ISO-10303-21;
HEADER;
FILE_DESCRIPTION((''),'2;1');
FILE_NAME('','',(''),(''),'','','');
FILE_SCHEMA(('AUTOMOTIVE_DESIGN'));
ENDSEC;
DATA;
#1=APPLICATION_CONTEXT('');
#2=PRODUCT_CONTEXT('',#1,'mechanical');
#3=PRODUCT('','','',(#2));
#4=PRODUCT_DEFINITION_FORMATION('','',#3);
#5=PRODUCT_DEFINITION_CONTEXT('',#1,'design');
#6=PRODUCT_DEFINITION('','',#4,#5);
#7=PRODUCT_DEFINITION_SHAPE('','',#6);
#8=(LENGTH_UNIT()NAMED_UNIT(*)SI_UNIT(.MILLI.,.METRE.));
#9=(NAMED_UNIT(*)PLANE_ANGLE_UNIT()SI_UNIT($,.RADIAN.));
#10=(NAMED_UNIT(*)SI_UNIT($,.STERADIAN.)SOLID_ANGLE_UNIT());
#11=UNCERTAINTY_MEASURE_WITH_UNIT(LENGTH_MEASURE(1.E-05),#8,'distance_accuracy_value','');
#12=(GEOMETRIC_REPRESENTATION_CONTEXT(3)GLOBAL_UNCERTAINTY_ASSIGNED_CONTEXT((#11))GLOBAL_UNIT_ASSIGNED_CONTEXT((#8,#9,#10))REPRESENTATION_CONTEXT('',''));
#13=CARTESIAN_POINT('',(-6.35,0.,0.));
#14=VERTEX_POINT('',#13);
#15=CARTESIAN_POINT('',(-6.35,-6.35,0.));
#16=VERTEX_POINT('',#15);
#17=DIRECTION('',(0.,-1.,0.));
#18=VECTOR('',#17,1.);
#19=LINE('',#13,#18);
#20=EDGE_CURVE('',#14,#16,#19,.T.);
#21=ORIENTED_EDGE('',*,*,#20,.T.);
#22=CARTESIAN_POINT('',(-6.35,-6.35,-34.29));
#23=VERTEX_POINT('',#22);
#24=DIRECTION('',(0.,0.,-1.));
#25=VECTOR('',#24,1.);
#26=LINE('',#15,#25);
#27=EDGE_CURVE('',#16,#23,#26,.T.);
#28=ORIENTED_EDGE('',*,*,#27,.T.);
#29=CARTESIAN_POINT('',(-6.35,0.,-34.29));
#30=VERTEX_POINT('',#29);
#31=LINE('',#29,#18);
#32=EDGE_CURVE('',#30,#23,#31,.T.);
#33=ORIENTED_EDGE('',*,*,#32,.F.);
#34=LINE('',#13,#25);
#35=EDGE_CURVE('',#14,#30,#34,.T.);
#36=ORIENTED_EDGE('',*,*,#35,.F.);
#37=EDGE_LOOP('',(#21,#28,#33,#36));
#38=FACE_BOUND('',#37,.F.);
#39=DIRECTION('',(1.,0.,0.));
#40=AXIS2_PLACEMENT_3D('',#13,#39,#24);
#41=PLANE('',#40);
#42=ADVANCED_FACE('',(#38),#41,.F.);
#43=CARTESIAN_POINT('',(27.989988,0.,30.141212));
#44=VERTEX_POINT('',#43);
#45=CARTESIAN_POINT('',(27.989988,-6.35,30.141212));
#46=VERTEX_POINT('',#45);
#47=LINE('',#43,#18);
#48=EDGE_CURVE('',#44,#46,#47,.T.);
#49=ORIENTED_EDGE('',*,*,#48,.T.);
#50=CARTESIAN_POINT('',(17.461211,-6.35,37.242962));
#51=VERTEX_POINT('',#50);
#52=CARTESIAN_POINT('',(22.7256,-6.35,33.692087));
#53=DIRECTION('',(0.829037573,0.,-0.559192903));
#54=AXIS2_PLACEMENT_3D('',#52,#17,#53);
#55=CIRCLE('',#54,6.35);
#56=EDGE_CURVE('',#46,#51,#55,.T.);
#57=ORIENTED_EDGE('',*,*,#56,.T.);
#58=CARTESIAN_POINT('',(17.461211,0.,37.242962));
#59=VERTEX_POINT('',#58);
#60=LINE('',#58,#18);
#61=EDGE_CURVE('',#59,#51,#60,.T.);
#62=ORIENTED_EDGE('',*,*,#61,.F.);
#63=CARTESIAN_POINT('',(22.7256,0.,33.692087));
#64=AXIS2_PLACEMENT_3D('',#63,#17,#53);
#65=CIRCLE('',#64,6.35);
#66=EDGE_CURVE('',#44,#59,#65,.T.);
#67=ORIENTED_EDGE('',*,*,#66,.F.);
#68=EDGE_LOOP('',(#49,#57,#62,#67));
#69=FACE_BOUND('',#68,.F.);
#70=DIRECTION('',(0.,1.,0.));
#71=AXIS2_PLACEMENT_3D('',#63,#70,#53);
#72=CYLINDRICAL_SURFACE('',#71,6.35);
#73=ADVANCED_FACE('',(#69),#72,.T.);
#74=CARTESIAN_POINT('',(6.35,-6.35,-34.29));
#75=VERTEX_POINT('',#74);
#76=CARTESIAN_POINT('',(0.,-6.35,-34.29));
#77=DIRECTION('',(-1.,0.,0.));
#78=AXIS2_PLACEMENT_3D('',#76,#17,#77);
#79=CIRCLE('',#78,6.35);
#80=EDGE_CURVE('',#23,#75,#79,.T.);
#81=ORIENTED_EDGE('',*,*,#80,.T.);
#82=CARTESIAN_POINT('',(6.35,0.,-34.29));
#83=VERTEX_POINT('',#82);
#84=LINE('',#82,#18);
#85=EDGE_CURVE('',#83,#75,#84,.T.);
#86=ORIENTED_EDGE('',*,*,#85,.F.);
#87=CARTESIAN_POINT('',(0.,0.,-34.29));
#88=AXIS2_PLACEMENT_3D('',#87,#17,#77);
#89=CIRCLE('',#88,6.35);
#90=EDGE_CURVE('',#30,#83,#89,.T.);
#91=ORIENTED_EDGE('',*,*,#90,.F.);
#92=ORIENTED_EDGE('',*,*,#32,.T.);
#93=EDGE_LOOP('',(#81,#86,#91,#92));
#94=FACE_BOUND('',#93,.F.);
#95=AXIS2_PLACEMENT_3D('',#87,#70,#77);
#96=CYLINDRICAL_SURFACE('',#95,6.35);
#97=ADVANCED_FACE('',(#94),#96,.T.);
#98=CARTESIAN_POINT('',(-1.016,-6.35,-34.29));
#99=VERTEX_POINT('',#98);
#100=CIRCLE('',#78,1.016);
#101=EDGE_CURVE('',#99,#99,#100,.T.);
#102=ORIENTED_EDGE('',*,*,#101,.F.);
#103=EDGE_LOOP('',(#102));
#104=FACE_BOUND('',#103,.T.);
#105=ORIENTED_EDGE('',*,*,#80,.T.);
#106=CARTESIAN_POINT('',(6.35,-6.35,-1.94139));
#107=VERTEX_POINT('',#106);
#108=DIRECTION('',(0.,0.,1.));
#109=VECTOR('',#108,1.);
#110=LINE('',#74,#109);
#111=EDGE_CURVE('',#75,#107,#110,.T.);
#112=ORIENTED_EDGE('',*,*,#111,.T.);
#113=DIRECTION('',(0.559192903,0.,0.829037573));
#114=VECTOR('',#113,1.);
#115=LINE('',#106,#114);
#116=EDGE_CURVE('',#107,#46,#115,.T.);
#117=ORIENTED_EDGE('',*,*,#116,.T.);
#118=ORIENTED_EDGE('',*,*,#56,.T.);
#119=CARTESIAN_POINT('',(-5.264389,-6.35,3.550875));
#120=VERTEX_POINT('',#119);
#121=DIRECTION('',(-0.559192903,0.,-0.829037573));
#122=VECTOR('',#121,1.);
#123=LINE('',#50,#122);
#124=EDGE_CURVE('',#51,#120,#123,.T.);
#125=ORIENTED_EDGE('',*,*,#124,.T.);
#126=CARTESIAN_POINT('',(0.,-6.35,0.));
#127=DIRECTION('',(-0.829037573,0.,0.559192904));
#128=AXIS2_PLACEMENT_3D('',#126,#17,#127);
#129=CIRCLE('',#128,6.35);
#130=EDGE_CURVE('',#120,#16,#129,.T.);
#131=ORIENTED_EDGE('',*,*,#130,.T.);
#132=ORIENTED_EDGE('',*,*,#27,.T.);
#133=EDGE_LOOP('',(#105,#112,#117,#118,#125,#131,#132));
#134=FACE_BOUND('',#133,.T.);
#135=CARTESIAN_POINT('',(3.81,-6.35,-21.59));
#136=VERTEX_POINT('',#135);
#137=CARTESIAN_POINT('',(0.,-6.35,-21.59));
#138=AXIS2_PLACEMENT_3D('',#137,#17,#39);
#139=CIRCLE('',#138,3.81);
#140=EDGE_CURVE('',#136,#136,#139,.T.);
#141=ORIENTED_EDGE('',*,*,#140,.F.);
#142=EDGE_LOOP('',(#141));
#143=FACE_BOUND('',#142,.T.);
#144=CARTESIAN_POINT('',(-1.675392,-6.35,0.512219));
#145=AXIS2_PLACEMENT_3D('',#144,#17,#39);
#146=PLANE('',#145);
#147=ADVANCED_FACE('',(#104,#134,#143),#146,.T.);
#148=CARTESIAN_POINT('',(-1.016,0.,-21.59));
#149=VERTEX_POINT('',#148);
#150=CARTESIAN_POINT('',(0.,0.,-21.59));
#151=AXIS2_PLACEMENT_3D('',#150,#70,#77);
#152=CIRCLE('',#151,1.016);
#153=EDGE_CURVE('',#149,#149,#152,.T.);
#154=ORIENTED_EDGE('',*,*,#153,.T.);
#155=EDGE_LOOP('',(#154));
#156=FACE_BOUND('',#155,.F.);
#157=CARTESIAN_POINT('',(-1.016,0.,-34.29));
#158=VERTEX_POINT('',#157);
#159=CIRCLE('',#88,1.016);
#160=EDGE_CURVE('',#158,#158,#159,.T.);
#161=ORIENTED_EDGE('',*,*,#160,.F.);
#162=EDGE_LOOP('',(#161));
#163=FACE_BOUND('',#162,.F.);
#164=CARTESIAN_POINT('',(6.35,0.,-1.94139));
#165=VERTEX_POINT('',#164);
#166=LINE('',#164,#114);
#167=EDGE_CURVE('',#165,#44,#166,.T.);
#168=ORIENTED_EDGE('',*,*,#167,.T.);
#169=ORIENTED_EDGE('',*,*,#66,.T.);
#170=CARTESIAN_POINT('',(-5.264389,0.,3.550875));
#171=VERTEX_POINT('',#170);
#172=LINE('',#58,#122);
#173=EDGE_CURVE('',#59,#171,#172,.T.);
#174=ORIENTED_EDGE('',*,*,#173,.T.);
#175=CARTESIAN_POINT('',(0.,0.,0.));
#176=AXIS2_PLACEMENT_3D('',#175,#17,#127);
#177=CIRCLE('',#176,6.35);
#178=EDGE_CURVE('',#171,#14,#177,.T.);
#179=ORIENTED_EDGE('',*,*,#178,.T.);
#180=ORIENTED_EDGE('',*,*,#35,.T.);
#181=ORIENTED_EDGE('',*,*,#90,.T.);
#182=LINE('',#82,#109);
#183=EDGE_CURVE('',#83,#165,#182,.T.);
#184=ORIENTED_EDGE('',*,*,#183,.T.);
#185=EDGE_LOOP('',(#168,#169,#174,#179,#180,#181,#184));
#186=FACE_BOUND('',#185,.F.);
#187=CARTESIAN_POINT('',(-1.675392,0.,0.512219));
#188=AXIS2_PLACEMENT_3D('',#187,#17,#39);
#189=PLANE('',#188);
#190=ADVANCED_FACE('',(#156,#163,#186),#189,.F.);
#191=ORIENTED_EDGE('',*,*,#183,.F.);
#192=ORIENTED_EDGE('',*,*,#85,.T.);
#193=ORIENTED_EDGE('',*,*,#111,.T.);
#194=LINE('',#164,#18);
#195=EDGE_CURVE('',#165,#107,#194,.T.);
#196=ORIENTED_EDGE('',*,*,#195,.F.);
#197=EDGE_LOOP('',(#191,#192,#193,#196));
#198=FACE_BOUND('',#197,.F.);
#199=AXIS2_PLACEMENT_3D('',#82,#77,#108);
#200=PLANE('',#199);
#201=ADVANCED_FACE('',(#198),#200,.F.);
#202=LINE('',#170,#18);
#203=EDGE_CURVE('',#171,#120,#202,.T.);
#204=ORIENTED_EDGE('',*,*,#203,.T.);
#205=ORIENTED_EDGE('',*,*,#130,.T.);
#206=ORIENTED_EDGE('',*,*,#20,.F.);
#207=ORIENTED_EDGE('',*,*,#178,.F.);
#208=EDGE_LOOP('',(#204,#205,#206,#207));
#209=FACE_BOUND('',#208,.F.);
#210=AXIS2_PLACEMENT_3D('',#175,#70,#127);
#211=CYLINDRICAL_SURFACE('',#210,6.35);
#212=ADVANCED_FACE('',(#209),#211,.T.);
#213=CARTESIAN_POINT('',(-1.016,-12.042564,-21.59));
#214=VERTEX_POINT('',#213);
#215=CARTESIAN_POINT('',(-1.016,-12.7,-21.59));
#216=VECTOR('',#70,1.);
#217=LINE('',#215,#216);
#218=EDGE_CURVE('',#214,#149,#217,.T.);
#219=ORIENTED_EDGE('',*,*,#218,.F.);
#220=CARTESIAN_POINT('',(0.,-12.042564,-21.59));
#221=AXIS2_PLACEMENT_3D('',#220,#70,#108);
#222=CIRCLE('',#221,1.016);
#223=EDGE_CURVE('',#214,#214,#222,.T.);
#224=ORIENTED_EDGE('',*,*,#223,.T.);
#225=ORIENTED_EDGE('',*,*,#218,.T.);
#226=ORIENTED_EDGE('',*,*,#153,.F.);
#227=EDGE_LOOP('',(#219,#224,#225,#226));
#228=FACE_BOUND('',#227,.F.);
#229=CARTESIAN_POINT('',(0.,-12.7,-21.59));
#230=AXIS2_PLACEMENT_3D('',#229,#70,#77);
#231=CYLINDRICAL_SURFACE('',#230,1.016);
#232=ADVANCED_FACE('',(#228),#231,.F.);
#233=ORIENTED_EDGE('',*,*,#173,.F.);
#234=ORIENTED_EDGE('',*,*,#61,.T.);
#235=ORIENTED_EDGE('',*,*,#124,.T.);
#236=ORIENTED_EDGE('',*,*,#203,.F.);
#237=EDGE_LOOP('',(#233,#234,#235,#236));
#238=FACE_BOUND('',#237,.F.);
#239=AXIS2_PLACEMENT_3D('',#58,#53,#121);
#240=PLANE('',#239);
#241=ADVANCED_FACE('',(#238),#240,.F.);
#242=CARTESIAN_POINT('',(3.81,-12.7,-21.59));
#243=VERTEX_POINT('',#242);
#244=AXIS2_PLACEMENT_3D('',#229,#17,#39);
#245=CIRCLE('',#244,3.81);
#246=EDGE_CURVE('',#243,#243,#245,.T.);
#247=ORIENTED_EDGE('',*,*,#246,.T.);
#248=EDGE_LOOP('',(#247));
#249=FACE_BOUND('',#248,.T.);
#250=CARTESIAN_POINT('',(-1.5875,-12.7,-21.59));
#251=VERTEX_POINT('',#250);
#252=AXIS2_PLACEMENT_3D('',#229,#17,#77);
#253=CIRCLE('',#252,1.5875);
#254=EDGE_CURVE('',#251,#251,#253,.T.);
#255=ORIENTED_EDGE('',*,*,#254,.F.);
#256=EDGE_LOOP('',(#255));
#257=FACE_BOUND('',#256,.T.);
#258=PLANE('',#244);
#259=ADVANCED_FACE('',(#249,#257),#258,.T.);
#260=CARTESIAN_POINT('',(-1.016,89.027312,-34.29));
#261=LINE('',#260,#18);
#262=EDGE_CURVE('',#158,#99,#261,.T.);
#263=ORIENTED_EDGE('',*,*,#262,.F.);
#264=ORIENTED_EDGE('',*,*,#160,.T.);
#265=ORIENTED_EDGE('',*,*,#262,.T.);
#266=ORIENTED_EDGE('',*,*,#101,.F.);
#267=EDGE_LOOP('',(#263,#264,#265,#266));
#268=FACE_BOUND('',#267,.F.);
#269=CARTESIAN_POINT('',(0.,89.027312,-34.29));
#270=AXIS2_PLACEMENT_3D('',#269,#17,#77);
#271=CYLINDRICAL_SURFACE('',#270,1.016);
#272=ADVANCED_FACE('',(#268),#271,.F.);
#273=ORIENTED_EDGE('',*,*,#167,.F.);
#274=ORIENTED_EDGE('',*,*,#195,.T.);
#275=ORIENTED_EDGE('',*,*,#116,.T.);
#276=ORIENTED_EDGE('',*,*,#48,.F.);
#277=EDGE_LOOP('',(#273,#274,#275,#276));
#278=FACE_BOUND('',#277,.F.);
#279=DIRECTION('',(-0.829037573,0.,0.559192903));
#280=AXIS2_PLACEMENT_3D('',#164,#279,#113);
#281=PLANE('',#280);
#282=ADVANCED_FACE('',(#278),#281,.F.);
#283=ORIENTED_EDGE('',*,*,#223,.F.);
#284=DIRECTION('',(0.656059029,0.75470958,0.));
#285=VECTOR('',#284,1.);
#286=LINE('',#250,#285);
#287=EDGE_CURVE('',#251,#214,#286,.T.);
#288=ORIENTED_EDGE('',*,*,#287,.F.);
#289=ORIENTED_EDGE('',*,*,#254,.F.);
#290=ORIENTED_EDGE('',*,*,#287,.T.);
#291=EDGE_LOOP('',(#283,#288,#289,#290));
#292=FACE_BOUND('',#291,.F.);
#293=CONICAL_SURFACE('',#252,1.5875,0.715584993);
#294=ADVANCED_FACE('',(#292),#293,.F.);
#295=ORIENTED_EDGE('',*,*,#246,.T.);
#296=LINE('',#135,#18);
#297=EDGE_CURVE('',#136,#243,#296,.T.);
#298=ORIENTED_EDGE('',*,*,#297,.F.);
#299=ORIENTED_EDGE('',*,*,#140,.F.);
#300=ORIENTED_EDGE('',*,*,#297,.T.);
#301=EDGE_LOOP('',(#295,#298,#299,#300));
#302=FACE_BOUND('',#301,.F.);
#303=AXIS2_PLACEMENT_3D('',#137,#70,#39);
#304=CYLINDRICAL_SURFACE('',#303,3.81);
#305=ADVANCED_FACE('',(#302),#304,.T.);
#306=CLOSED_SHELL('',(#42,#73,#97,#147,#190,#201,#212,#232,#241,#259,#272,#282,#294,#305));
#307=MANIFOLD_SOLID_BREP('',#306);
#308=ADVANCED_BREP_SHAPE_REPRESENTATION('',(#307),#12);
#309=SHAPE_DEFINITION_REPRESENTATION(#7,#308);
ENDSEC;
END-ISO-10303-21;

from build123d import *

# Parameters (mm, degrees)
F1_DEPTH       = 6.35
F2_R           = 3.81
F3_DEPTH       = 6.35
F5_D           = 2.032
F5_CSINK_D     = 3.175
F5_CSINK_ANGLE = 82
F6_D           = 2.032


with BuildPart() as f1:
    # F0 (on Front) → F1 (new body)
    with BuildSketch(Plane.XZ):
        with BuildLine():
            Line((0, -6.35), (0, 0))
            Line((0, 0), (3.550874937, 5.2643885857))
            ThreePointArc((3.550874937, 5.2643885857), (-1.2116371206, 6.2333326149), (-5.2643885857, 3.550874937))
            ThreePointArc((-5.2643885857, 3.550874937), (-6.0725352004, 1.856560325), (-6.35, 0))
            ThreePointArc((-6.35, 0), (-4.4901280605, -4.4901280605), (0, -6.35))
        make_face()
        with BuildLine():
            Line((3.550874937, 5.2643885857), (0, 0))
            Line((0, 0), (0, -6.35))
            ThreePointArc((0, -6.35), (2.9811444237, -5.6067172147), (5.2643885857, -3.550874937))
            Line((5.2643885857, -3.550874937), (6.35, -1.9413898273))
            Line((6.35, -1.9413898273), (6.35, 0))
            ThreePointArc((6.35, 0), (5.6067172147, 2.9811444237), (3.550874937, 5.2643885857))
        make_face()
        with BuildLine():
            ThreePointArc((-5.2643885857, 3.550874937), (-1.2116371206, 6.2333326149), (3.550874937, 5.2643885857))
            ThreePointArc((3.550874937, 5.2643885857), (5.6067172147, 2.9811444237), (6.35, 0))
            Line((6.35, 0), (6.35, -1.9413898273))
            Line((6.35, -1.9413898273), (27.9899881828, 30.1412120116))
            ThreePointArc((27.9899881828, 30.1412120116), (26.2764745341, 38.9564755344), (17.4612110113, 37.2429618857))
            Line((17.4612110113, 37.2429618857), (-5.2643885857, 3.550874937))
        make_face()
        with BuildLine():
            ThreePointArc((5.2643885857, -3.550874937), (2.9811444237, -5.6067172147), (0, -6.35))
            Line((0, -6.35), (0, -15.24))
            ThreePointArc((0, -15.24), (4.4901280605, -17.0998719395), (6.35, -21.59))
            Line((6.35, -21.59), (6.35, -1.9413898273))
            Line((6.35, -1.9413898273), (5.2643885857, -3.550874937))
        make_face()
        with BuildLine():
            Line((0, -15.24), (0, -6.35))
            ThreePointArc((0, -6.35), (-4.4901280605, -4.4901280605), (-6.35, 0))
            Line((-6.35, 0), (-6.35, -21.59))
            ThreePointArc((-6.35, -21.59), (-4.4901280605, -17.0998719395), (0, -15.24))
        make_face()
        with BuildLine():
            ThreePointArc((6.35, -21.59), (4.4901280605, -17.0998719395), (0, -15.24))
            Line((0, -15.24), (0, -21.59))
            Line((0, -21.59), (0, -27.94))
            ThreePointArc((0, -27.94), (4.4901280605, -26.0801280605), (6.35, -21.59))
        make_face()
        with BuildLine():
            Line((0, -21.59), (0, -15.24))
            ThreePointArc((0, -15.24), (-4.4901280605, -17.0998719395), (-6.35, -21.59))
            ThreePointArc((-6.35, -21.59), (-4.4901280605, -26.0801280605), (0, -27.94))
            Line((0, -27.94), (0, -21.59))
        make_face()
        with BuildLine():
            ThreePointArc((0, -27.94), (-4.4901280605, -26.0801280605), (-6.35, -21.59))
            Line((-6.35, -21.59), (-6.35, -34.29))
            ThreePointArc((-6.35, -34.29), (0, -40.64), (6.35, -34.29))
            Line((6.35, -34.29), (6.35, -21.59))
            ThreePointArc((6.35, -21.59), (4.4901280605, -26.0801280605), (0, -27.94))
        make_face()
    extrude(amount=F1_DEPTH)

    # F2 (on face) → F3 (join)
    with BuildSketch(Plane.XZ.offset(6.35)):
        with Locations((0, -21.59)):
            Circle(F2_R)
    extrude(amount=F3_DEPTH)

    # F5 (through all)
    with Locations(Plane.XZ.offset(12.7)):
        with Locations((0, -21.59)):
            CounterSinkHole(F5_D / 2, F5_CSINK_D / 2, counter_sink_angle=F5_CSINK_ANGLE)

    # F6 (through all)
    with Locations(Plane(origin=(0, 0, 0), x_dir=(1, 0, 0), z_dir=(0, 1, 0))):
        with Locations((0, 34.29)):
            Hole(F6_D / 2)


solid = f1.part
